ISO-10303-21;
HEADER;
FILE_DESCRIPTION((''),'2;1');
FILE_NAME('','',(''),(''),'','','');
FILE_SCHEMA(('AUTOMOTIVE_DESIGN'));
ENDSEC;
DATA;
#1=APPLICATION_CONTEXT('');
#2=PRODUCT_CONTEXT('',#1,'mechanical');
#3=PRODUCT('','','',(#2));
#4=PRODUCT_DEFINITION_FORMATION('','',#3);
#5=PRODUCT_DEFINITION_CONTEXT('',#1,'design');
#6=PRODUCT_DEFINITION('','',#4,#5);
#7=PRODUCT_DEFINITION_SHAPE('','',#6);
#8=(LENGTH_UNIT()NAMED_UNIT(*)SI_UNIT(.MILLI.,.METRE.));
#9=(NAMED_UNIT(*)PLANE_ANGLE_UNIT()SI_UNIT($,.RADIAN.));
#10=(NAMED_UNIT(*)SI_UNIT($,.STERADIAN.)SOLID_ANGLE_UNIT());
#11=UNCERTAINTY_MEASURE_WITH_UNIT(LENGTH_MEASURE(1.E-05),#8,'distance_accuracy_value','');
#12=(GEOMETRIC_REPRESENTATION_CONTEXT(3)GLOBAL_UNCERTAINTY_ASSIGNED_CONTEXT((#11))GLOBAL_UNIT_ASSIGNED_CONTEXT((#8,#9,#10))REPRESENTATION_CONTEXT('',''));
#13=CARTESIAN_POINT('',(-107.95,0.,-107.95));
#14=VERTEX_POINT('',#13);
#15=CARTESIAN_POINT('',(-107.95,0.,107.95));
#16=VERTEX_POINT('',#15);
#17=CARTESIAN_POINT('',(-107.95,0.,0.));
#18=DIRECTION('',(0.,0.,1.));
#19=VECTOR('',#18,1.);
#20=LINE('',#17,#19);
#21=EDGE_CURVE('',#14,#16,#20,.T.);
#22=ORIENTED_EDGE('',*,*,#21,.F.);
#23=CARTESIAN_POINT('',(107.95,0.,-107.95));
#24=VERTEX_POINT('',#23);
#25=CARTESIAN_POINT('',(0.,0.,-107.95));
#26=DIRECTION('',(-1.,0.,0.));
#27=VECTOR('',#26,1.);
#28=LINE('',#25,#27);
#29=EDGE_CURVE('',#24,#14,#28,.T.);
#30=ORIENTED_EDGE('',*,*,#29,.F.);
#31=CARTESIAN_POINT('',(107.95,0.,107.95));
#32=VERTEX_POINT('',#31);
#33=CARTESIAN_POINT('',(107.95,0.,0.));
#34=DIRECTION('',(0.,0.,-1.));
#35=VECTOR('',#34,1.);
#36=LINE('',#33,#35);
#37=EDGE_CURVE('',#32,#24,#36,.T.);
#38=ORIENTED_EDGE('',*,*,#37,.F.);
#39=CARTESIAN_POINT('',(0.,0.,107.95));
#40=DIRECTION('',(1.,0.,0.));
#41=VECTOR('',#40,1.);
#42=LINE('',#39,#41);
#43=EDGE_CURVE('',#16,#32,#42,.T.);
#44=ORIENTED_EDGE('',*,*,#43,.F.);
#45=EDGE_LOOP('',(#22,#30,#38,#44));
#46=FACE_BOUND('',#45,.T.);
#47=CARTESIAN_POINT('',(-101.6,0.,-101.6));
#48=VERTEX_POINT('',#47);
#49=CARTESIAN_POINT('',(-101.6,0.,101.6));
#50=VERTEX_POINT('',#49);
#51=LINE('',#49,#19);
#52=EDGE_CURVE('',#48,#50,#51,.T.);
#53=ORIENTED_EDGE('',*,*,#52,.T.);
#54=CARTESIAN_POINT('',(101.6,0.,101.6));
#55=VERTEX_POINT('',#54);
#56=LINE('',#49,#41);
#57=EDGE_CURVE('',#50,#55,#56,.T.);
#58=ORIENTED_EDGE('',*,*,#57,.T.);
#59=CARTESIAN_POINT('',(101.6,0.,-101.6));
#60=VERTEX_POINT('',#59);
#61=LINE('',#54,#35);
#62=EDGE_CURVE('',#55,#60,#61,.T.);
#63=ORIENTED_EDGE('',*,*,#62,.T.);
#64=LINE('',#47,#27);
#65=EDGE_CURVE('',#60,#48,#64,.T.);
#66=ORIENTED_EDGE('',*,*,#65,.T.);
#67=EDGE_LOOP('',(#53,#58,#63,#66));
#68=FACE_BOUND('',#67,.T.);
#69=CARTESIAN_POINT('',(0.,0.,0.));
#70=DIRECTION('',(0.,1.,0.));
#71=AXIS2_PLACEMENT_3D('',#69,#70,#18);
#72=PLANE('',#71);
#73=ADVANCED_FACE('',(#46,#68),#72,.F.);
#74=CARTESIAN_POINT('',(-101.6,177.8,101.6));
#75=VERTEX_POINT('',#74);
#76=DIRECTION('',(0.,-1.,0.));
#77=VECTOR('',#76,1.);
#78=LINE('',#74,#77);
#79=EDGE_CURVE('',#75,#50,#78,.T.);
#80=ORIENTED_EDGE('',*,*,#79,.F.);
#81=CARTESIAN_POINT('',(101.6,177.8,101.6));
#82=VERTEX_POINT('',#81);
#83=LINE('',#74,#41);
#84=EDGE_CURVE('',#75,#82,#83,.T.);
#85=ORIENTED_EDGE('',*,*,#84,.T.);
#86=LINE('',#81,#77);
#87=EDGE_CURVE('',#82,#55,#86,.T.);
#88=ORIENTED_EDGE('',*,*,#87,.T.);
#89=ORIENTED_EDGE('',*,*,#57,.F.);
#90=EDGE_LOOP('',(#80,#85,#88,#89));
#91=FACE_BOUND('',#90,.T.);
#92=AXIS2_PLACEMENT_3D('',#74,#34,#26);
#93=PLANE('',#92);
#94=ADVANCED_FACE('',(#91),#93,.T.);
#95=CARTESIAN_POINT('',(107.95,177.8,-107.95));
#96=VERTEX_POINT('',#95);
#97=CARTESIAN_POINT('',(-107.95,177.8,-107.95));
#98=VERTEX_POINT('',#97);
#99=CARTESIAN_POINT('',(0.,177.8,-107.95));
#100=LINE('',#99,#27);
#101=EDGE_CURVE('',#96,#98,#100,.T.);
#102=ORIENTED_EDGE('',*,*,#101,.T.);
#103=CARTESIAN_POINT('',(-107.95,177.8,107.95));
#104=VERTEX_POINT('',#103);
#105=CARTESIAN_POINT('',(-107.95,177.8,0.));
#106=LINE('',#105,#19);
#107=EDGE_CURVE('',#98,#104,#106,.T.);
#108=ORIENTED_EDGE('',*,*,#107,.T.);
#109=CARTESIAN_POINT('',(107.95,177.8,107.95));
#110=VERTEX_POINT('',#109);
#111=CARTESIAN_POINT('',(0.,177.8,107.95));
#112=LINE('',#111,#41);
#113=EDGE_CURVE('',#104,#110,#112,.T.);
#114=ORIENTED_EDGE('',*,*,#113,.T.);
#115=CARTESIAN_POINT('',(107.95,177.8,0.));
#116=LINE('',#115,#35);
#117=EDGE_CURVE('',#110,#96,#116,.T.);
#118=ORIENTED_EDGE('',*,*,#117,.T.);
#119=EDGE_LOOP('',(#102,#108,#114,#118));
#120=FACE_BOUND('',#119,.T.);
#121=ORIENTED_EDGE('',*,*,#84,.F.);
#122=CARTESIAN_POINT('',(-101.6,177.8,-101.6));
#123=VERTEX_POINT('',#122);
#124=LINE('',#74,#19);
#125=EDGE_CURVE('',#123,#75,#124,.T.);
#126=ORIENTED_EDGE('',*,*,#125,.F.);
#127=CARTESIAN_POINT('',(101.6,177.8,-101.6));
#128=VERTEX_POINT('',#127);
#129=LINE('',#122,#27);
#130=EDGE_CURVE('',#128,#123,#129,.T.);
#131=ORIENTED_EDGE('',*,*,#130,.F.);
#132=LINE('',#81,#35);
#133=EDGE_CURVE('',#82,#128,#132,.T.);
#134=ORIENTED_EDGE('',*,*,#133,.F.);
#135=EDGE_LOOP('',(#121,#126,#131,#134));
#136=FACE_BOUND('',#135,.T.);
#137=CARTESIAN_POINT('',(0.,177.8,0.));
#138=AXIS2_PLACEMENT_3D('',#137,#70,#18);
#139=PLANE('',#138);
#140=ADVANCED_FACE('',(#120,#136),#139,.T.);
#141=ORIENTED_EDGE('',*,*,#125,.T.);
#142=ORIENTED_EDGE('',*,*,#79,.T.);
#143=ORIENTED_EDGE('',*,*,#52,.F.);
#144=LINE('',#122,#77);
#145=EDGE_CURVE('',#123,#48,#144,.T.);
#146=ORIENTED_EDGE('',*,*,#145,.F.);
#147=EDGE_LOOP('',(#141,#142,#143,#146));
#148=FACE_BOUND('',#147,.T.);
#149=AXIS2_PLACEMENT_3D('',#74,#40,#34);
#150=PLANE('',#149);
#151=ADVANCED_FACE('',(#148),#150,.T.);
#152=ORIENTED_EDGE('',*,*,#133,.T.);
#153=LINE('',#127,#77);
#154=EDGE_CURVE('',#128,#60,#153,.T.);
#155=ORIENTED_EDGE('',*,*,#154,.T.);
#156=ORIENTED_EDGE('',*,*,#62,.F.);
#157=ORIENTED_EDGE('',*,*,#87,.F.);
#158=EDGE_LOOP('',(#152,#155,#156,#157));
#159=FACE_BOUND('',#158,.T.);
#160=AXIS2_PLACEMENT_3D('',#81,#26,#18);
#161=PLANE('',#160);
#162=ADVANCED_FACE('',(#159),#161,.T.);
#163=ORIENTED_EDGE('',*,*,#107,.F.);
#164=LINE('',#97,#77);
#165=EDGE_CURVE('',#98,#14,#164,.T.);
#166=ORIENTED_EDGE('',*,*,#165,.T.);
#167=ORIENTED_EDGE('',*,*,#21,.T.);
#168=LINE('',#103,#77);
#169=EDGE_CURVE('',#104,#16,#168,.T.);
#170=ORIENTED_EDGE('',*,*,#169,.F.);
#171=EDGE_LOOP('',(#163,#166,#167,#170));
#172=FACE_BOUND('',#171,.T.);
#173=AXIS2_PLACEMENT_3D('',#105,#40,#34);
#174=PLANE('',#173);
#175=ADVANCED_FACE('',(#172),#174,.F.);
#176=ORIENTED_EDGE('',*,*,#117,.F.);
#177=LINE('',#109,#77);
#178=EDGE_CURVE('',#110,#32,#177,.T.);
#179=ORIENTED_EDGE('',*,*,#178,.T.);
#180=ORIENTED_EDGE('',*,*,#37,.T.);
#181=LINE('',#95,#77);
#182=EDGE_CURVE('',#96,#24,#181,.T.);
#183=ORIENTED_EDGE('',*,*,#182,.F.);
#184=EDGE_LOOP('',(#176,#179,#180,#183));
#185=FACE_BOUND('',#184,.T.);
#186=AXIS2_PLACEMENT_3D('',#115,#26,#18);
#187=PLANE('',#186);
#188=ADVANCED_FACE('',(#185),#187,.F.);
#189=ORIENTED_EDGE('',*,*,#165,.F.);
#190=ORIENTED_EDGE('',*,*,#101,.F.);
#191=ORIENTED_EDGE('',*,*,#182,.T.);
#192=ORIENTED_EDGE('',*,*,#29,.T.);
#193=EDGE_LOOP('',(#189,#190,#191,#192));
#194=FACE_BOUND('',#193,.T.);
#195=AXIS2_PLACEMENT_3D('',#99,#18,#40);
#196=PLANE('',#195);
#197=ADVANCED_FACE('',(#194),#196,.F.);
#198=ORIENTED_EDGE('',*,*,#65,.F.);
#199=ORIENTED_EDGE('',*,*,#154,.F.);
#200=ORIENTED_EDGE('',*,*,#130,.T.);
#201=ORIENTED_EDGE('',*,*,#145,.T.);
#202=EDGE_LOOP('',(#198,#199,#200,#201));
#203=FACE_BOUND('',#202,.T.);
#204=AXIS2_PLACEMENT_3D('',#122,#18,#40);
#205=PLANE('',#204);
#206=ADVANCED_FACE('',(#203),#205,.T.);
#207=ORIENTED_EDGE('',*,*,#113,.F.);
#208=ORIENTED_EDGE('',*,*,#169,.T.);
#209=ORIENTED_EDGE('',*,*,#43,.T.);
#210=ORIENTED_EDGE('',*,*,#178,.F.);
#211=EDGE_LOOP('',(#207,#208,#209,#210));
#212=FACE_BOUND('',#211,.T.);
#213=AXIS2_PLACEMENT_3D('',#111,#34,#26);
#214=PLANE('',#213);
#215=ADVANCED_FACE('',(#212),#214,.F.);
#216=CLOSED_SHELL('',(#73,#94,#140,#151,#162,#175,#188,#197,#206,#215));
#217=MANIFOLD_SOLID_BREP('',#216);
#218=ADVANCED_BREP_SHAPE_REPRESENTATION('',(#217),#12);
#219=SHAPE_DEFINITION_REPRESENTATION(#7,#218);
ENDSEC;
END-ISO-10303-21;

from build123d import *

# Parameters (mm, degrees)
SKETCH1_W           = 215.9
SKETCH1_H           = 215.9
SKETCH1_W_2         = 203.2
SKETCH1_H_2         = 203.2
EXTRUDE_THIN1_DEPTH = 177.8


with BuildPart() as part:
    # Sketch1 → Extrude-Thin1 (new body)
    with BuildSketch(Plane(origin=(0, 0, 0), x_dir=(1, 0, 0), z_dir=(0, 1, 0))):
        Rectangle(SKETCH1_W, SKETCH1_H)
        Rectangle(SKETCH1_W_2, SKETCH1_H_2, mode=Mode.SUBTRACT)
    extrude(amount=EXTRUDE_THIN1_DEPTH)


solid = part.part
